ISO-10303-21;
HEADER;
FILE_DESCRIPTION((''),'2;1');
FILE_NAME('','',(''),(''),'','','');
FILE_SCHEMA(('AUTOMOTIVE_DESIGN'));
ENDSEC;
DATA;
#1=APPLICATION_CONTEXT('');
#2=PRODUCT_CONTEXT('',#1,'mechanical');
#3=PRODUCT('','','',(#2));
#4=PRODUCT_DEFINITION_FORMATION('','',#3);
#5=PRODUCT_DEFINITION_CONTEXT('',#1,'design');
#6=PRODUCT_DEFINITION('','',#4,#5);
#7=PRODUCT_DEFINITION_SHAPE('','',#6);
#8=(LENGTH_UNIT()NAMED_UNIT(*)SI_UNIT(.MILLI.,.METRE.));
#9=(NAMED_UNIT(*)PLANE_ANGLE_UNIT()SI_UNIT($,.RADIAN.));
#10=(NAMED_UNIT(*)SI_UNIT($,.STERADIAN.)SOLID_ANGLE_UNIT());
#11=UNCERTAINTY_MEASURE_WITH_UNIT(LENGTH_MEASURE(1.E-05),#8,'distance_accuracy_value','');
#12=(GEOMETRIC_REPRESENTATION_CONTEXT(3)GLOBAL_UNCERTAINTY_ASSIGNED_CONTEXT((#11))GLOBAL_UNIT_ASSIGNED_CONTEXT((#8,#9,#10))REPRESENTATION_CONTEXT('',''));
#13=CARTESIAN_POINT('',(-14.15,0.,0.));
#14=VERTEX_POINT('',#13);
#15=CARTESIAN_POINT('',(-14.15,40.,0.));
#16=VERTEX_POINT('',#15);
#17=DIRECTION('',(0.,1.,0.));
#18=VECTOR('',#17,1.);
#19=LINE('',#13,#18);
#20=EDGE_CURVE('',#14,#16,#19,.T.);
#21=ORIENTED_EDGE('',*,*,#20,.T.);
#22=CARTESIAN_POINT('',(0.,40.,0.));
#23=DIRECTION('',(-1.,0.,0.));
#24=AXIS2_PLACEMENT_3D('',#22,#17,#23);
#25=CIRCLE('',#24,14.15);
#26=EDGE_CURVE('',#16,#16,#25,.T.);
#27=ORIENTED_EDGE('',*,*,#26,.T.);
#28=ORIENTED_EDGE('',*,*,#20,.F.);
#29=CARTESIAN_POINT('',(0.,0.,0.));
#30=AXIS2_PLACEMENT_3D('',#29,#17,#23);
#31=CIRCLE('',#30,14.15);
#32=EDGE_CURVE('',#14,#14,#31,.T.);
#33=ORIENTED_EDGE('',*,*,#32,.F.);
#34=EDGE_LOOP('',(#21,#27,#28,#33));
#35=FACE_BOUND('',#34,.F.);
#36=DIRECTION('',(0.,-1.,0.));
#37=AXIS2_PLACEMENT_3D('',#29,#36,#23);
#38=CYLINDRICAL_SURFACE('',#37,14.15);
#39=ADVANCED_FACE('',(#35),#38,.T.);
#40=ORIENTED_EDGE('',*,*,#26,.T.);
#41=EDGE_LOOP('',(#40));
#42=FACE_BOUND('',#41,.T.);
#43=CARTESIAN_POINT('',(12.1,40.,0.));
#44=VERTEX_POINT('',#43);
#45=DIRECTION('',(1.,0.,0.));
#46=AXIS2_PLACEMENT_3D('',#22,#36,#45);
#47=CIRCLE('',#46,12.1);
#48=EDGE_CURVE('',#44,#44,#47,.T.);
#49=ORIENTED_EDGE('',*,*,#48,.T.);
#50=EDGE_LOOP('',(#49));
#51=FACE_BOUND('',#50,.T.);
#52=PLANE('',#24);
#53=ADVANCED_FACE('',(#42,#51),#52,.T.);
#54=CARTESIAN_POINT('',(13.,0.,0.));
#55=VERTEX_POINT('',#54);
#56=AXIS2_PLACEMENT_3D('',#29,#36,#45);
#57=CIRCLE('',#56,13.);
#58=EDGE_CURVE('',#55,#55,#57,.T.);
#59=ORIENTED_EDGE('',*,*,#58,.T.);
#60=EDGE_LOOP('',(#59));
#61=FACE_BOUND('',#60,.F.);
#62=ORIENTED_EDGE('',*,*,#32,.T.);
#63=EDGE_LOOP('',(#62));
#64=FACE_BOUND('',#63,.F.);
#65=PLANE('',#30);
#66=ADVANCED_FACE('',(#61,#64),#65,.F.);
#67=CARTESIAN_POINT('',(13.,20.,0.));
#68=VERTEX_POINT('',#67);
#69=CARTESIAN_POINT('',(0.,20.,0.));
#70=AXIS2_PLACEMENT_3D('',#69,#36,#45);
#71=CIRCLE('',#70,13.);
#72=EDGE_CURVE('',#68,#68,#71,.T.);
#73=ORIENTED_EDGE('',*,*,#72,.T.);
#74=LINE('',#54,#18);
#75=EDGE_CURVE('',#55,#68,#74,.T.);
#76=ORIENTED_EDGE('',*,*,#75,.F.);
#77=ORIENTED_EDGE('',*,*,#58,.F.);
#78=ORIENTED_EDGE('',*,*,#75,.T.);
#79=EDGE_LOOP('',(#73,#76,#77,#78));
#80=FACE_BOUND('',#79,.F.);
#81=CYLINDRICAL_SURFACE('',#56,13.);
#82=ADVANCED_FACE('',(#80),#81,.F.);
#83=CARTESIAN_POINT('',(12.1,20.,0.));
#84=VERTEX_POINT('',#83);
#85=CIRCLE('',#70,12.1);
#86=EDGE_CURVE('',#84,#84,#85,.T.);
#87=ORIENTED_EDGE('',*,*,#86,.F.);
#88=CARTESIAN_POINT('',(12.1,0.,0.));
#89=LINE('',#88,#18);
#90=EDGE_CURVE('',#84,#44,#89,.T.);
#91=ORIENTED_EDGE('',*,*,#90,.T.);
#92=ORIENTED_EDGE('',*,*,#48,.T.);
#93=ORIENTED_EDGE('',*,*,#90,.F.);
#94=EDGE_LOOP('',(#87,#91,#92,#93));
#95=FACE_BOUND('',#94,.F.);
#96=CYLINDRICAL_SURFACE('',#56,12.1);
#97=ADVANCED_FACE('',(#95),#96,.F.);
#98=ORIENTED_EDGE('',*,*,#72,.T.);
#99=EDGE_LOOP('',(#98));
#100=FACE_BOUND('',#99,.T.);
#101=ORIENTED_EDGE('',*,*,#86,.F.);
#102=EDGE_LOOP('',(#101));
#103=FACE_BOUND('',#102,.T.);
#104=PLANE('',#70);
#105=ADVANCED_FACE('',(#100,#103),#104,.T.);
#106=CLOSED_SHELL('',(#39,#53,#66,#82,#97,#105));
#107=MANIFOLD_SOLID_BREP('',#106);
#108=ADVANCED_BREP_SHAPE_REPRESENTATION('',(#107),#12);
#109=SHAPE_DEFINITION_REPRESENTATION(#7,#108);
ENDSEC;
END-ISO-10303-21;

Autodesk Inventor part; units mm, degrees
ref_plane "YZ Plane" through (0, 0, 0) normal (1, 0, 0) x (0, 1, 0)
ref_plane "XZ Plane" through (0, 0, 0) normal (0, 1, 0) x (-1, 0, 0)
ref_plane "XY Plane" through (0, 0, 0) normal (0, 0, 1) x (1, 0, 0)
sketch "Sketch1" plane through (0, 0, 0) normal (0, 1, 0) x (-1, 0, 0)
  circle A0 centre (0, 0) radius 14.15
  circle A1 centre (0, 0) radius 12.1
  dimension "d3" = 28.3
  dimension "d6" = 24.2
extrude "Extrusion1" add sketch "Sketch1" along normal blind 40 contours A0 | A1
sketch "Sketch3" plane through (0, 0, 0) normal (0, -1, 0) x (1, 0, 0)
  circle A0 centre (0, 0) radius 12.1
  dimension "d10" = 24.2
extrude "Extrusion3" cut sketch "Sketch3" against normal blind 40
sketch "Sketch4" plane through (0, 0, 0) normal (0, -1, 0) x (1, 0, 0)
  circle A0 centre (0, 0) radius 13
  dimension "d13" = 26
extrude "Extrusion4" cut sketch "Sketch4" against normal blind 20
properties part number "_3DPrint"
